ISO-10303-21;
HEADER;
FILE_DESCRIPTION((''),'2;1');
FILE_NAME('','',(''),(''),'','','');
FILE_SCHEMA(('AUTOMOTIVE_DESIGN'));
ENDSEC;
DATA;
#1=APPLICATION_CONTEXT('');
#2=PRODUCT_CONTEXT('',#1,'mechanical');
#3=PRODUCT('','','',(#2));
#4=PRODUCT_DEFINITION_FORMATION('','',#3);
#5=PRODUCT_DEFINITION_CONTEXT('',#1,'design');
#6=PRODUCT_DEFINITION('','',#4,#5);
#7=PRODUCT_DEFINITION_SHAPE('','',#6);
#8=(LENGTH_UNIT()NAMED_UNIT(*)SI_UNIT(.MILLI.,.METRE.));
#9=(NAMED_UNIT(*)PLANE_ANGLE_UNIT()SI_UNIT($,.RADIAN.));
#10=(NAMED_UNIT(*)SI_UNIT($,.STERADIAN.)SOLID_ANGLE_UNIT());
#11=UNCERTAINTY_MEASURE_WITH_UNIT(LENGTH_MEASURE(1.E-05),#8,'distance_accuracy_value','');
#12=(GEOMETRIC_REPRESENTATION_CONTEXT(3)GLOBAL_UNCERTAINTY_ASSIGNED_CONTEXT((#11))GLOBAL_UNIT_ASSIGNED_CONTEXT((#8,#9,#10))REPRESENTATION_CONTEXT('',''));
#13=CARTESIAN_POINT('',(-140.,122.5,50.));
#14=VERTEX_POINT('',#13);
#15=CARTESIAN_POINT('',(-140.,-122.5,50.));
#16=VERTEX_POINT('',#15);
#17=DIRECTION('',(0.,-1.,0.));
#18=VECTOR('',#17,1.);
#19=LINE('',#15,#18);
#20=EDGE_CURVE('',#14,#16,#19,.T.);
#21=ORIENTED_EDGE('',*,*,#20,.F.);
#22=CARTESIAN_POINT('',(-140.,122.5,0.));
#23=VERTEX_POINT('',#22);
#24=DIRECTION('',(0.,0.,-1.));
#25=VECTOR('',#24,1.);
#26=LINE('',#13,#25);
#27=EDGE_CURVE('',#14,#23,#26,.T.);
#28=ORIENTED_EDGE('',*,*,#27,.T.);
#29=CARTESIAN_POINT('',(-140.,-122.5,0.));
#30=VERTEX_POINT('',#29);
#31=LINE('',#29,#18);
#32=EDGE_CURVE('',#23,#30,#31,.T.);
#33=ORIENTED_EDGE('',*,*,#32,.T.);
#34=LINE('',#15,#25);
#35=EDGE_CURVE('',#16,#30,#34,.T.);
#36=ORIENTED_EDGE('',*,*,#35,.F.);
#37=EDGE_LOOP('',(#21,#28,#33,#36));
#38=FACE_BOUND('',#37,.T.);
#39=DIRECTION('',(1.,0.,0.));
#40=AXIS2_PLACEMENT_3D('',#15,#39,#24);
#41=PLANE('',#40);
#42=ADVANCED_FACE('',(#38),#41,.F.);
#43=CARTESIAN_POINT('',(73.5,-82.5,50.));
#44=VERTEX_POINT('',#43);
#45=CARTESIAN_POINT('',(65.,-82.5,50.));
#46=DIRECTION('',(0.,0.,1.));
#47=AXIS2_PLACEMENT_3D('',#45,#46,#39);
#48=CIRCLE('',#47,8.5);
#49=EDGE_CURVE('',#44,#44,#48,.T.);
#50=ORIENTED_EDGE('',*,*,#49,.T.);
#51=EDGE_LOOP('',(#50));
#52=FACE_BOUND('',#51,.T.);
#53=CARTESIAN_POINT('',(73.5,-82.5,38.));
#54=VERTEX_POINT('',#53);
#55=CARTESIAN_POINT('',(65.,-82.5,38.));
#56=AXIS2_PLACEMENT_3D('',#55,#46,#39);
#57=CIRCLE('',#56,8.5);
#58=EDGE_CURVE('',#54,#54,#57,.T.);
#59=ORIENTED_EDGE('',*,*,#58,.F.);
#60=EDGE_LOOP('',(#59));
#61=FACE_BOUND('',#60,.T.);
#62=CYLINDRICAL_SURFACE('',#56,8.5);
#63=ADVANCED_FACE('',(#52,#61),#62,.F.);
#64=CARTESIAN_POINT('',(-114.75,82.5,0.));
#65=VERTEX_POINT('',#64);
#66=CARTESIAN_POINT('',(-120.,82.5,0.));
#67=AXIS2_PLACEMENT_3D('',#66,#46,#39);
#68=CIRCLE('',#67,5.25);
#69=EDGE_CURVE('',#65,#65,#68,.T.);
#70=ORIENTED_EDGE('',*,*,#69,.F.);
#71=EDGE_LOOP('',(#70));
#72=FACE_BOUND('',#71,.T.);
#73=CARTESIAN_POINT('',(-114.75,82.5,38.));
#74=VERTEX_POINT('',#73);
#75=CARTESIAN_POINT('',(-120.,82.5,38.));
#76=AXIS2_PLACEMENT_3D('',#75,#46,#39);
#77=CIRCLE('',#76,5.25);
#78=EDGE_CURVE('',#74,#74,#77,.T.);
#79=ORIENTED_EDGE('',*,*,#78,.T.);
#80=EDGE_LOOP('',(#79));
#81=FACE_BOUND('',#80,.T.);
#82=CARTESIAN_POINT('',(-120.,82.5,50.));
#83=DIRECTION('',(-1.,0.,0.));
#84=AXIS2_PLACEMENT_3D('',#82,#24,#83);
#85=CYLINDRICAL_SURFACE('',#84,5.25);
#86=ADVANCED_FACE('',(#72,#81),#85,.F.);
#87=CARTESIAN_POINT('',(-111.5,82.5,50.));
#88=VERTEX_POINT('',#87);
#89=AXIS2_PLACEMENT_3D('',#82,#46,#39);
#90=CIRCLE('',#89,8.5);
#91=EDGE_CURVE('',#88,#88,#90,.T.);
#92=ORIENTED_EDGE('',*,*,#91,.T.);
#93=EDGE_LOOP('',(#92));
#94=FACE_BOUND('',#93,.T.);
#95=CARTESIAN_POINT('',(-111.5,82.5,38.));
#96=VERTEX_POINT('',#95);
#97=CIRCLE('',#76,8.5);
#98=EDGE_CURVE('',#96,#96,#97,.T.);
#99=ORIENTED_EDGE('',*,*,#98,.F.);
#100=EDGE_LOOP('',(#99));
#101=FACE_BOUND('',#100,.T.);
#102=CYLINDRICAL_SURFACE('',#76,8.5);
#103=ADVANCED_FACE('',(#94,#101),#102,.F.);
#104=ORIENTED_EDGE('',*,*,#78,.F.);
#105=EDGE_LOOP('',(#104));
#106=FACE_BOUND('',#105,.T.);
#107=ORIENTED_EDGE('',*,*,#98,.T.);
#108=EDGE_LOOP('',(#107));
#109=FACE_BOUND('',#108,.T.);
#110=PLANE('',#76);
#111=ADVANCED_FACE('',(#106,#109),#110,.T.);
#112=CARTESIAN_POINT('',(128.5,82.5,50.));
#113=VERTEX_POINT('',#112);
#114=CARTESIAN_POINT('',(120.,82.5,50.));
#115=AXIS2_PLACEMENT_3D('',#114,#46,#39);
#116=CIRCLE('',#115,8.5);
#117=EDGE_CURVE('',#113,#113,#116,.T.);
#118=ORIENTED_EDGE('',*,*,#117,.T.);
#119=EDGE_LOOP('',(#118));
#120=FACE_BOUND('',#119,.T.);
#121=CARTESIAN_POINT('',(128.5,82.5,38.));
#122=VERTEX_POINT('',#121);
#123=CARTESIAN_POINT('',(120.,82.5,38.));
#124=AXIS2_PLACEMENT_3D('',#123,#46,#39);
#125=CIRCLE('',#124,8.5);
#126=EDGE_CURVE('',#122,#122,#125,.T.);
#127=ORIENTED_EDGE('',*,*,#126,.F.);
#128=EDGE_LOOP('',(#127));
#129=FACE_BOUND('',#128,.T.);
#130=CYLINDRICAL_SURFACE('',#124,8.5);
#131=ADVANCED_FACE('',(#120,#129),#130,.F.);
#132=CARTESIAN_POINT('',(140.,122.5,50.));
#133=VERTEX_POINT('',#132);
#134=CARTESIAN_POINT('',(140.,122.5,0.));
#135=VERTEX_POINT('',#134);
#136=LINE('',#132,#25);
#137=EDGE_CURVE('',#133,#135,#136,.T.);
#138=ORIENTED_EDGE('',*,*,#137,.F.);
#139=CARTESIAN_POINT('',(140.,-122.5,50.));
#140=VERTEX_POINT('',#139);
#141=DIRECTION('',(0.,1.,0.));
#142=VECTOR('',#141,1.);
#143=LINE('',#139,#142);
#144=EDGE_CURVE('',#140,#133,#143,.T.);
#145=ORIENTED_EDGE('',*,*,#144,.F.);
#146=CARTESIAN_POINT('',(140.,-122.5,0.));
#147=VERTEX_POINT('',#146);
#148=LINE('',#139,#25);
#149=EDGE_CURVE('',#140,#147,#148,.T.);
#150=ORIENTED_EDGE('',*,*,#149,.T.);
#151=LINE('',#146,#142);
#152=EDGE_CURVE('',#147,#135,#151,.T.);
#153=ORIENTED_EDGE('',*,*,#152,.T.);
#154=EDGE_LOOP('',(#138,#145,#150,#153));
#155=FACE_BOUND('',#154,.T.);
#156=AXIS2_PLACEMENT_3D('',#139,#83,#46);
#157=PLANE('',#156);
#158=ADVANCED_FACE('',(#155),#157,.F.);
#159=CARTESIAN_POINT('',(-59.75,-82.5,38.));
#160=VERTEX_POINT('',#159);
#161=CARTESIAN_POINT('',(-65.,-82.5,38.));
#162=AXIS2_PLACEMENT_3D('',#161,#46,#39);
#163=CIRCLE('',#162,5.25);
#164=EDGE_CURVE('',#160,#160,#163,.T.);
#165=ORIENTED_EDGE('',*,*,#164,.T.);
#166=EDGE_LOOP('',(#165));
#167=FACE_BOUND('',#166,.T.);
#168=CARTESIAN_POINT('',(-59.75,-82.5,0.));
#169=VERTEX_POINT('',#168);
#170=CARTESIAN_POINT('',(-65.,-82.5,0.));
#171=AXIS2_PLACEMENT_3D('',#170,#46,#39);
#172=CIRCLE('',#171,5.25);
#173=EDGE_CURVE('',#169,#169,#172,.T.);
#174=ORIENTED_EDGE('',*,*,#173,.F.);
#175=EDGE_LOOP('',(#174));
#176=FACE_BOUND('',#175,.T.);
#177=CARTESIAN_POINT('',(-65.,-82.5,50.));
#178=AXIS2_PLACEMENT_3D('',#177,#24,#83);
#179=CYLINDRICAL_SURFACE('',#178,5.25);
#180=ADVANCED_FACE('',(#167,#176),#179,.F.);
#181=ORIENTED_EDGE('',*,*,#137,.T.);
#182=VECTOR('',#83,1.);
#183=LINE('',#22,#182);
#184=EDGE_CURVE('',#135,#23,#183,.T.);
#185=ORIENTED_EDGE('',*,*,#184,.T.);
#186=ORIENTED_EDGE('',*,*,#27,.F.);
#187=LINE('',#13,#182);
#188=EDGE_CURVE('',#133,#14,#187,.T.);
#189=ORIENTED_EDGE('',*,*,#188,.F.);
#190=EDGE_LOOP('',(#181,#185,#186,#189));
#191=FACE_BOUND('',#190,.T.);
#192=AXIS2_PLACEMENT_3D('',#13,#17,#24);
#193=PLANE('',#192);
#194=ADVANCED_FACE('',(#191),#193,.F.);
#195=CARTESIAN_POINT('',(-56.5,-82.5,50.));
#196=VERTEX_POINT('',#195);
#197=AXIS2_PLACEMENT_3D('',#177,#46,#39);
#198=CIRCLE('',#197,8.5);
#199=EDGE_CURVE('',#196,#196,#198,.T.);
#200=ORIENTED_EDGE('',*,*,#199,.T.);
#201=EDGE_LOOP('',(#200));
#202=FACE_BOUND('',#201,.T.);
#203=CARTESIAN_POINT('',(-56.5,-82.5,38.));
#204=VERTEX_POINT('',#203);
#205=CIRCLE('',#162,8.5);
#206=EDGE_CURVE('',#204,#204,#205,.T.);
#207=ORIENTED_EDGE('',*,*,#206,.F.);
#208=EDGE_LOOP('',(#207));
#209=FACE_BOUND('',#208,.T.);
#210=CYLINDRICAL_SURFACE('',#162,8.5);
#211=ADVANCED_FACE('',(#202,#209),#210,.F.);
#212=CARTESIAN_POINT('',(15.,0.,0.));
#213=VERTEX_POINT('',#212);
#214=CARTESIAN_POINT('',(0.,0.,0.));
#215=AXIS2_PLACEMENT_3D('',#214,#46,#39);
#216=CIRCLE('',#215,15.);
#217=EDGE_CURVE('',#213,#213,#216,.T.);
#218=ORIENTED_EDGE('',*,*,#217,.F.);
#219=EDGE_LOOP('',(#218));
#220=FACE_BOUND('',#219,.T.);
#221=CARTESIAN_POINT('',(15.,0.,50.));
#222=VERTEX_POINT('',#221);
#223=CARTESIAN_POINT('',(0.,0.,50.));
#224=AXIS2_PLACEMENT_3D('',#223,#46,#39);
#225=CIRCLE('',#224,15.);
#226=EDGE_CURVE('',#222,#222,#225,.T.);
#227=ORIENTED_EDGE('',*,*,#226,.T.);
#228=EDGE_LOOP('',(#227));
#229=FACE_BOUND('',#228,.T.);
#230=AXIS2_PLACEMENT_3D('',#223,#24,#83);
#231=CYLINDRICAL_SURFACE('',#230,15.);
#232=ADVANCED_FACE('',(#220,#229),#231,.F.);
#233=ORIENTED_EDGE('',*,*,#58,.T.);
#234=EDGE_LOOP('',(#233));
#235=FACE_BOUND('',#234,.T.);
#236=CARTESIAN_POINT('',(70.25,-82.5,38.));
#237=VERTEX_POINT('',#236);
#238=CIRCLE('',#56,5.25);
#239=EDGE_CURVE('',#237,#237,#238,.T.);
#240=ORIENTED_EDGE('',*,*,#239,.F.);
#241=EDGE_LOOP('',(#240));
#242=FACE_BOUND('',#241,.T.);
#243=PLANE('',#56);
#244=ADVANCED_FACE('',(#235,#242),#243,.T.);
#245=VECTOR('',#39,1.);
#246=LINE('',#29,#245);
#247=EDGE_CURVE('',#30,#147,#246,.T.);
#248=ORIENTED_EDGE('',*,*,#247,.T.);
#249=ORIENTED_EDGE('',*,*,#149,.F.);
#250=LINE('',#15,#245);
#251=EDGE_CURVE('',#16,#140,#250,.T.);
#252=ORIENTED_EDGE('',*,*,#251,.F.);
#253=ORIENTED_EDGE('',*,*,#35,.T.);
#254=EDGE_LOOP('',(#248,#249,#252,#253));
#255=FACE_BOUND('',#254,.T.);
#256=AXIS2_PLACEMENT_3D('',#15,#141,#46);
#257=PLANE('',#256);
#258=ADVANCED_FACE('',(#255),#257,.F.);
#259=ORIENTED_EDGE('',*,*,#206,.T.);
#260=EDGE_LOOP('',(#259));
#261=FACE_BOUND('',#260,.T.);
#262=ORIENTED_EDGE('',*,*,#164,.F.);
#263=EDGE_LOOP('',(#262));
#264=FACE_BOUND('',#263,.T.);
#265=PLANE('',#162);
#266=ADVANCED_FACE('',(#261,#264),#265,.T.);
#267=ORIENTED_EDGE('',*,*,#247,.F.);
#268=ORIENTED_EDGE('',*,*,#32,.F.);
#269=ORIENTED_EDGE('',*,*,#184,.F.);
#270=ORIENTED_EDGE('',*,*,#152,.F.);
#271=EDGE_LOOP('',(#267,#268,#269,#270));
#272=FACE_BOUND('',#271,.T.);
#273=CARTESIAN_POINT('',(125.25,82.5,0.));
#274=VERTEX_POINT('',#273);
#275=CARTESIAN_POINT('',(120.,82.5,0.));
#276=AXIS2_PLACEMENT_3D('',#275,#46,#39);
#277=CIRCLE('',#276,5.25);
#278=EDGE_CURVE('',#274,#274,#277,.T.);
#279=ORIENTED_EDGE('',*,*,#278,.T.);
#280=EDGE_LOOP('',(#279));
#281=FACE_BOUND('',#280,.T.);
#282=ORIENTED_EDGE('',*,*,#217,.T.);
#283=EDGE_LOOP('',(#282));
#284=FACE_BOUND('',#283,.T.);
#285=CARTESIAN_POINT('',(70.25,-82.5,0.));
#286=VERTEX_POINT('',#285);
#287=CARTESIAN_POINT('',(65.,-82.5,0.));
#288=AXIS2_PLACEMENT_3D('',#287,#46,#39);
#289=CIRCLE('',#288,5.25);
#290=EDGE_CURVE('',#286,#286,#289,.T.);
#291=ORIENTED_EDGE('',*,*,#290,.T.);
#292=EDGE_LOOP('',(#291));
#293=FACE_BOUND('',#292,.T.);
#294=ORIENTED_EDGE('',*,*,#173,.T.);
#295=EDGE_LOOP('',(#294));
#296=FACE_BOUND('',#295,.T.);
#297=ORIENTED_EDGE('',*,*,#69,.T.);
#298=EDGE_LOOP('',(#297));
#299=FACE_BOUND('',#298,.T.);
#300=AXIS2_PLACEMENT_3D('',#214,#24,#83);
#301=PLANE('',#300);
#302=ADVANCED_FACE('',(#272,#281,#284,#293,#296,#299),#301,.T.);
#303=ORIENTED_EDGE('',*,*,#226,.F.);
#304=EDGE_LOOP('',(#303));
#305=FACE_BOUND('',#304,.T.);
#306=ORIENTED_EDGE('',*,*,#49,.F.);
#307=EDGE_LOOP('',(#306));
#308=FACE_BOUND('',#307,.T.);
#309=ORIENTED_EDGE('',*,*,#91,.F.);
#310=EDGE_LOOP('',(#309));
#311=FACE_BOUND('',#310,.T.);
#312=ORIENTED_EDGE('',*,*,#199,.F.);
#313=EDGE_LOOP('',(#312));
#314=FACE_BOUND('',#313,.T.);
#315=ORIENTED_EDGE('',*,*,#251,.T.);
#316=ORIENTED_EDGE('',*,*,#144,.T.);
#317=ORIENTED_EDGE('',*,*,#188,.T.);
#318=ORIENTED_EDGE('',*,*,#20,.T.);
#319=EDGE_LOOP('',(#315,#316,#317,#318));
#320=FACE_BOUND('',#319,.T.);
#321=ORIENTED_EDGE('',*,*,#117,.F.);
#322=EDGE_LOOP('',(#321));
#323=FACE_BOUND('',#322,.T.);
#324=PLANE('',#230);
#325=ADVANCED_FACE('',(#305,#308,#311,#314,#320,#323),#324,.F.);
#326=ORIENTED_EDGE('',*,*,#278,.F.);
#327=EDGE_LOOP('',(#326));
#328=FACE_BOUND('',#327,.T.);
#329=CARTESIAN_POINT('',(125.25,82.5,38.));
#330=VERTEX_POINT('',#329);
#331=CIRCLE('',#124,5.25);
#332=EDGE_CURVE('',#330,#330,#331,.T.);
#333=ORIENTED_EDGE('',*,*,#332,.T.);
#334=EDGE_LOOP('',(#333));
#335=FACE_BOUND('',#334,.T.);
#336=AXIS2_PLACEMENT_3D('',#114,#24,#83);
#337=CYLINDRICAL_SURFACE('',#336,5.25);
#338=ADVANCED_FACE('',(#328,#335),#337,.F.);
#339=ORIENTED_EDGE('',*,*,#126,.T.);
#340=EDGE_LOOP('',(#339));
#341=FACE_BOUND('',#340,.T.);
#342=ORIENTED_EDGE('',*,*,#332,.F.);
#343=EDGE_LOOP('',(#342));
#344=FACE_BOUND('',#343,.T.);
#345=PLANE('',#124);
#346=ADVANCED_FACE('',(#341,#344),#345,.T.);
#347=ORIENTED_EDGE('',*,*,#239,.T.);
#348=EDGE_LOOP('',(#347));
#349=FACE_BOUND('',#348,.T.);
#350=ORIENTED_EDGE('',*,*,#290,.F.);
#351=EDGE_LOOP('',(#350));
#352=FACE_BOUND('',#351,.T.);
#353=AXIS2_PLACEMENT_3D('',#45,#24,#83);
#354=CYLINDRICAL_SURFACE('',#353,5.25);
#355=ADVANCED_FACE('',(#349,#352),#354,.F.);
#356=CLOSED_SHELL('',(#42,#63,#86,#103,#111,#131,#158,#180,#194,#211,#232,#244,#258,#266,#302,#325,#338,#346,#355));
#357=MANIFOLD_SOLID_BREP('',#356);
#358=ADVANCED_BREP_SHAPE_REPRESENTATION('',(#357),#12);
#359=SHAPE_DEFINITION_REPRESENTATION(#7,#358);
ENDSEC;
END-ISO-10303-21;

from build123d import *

# Parameters (mm, degrees)
SKETCH1_W           = 280
SKETCH1_H           = 245
SKETCH1_R           = 15
SKETCH1_R_2         = 5.25
BOSS_EXTRUDE1_DEPTH = 50
SKETCH2_R           = 8.5
CUT_EXTRUDE1_DEPTH  = 12


with BuildPart() as part:
    # Sketch1 → Boss-Extrude1 (new body)
    with BuildSketch(Plane.XY):
        Rectangle(SKETCH1_W, SKETCH1_H)
        Circle(SKETCH1_R, mode=Mode.SUBTRACT)
        with Locations((-120, 82.5)):
            Circle(SKETCH1_R_2, mode=Mode.SUBTRACT)
        with Locations((120, 82.5)):
            Circle(SKETCH1_R_2, mode=Mode.SUBTRACT)
        with Locations((-65, -82.5)):
            Circle(SKETCH1_R_2, mode=Mode.SUBTRACT)
        with Locations((65, -82.5)):
            Circle(SKETCH1_R_2, mode=Mode.SUBTRACT)
    extrude(amount=BOSS_EXTRUDE1_DEPTH)

    # Sketch2 → Cut-Extrude1 (cut)
    with BuildSketch(Plane.XY.offset(50)):
        with Locations((-120, 82.5)):
            Circle(SKETCH2_R)
        with Locations((120, 82.5)):
            Circle(SKETCH2_R)
        with Locations((65, -82.5)):
            Circle(SKETCH2_R)
        with Locations((-65, -82.5)):
            Circle(SKETCH2_R)
    extrude(amount=-CUT_EXTRUDE1_DEPTH, mode=Mode.SUBTRACT)


solid = part.part
